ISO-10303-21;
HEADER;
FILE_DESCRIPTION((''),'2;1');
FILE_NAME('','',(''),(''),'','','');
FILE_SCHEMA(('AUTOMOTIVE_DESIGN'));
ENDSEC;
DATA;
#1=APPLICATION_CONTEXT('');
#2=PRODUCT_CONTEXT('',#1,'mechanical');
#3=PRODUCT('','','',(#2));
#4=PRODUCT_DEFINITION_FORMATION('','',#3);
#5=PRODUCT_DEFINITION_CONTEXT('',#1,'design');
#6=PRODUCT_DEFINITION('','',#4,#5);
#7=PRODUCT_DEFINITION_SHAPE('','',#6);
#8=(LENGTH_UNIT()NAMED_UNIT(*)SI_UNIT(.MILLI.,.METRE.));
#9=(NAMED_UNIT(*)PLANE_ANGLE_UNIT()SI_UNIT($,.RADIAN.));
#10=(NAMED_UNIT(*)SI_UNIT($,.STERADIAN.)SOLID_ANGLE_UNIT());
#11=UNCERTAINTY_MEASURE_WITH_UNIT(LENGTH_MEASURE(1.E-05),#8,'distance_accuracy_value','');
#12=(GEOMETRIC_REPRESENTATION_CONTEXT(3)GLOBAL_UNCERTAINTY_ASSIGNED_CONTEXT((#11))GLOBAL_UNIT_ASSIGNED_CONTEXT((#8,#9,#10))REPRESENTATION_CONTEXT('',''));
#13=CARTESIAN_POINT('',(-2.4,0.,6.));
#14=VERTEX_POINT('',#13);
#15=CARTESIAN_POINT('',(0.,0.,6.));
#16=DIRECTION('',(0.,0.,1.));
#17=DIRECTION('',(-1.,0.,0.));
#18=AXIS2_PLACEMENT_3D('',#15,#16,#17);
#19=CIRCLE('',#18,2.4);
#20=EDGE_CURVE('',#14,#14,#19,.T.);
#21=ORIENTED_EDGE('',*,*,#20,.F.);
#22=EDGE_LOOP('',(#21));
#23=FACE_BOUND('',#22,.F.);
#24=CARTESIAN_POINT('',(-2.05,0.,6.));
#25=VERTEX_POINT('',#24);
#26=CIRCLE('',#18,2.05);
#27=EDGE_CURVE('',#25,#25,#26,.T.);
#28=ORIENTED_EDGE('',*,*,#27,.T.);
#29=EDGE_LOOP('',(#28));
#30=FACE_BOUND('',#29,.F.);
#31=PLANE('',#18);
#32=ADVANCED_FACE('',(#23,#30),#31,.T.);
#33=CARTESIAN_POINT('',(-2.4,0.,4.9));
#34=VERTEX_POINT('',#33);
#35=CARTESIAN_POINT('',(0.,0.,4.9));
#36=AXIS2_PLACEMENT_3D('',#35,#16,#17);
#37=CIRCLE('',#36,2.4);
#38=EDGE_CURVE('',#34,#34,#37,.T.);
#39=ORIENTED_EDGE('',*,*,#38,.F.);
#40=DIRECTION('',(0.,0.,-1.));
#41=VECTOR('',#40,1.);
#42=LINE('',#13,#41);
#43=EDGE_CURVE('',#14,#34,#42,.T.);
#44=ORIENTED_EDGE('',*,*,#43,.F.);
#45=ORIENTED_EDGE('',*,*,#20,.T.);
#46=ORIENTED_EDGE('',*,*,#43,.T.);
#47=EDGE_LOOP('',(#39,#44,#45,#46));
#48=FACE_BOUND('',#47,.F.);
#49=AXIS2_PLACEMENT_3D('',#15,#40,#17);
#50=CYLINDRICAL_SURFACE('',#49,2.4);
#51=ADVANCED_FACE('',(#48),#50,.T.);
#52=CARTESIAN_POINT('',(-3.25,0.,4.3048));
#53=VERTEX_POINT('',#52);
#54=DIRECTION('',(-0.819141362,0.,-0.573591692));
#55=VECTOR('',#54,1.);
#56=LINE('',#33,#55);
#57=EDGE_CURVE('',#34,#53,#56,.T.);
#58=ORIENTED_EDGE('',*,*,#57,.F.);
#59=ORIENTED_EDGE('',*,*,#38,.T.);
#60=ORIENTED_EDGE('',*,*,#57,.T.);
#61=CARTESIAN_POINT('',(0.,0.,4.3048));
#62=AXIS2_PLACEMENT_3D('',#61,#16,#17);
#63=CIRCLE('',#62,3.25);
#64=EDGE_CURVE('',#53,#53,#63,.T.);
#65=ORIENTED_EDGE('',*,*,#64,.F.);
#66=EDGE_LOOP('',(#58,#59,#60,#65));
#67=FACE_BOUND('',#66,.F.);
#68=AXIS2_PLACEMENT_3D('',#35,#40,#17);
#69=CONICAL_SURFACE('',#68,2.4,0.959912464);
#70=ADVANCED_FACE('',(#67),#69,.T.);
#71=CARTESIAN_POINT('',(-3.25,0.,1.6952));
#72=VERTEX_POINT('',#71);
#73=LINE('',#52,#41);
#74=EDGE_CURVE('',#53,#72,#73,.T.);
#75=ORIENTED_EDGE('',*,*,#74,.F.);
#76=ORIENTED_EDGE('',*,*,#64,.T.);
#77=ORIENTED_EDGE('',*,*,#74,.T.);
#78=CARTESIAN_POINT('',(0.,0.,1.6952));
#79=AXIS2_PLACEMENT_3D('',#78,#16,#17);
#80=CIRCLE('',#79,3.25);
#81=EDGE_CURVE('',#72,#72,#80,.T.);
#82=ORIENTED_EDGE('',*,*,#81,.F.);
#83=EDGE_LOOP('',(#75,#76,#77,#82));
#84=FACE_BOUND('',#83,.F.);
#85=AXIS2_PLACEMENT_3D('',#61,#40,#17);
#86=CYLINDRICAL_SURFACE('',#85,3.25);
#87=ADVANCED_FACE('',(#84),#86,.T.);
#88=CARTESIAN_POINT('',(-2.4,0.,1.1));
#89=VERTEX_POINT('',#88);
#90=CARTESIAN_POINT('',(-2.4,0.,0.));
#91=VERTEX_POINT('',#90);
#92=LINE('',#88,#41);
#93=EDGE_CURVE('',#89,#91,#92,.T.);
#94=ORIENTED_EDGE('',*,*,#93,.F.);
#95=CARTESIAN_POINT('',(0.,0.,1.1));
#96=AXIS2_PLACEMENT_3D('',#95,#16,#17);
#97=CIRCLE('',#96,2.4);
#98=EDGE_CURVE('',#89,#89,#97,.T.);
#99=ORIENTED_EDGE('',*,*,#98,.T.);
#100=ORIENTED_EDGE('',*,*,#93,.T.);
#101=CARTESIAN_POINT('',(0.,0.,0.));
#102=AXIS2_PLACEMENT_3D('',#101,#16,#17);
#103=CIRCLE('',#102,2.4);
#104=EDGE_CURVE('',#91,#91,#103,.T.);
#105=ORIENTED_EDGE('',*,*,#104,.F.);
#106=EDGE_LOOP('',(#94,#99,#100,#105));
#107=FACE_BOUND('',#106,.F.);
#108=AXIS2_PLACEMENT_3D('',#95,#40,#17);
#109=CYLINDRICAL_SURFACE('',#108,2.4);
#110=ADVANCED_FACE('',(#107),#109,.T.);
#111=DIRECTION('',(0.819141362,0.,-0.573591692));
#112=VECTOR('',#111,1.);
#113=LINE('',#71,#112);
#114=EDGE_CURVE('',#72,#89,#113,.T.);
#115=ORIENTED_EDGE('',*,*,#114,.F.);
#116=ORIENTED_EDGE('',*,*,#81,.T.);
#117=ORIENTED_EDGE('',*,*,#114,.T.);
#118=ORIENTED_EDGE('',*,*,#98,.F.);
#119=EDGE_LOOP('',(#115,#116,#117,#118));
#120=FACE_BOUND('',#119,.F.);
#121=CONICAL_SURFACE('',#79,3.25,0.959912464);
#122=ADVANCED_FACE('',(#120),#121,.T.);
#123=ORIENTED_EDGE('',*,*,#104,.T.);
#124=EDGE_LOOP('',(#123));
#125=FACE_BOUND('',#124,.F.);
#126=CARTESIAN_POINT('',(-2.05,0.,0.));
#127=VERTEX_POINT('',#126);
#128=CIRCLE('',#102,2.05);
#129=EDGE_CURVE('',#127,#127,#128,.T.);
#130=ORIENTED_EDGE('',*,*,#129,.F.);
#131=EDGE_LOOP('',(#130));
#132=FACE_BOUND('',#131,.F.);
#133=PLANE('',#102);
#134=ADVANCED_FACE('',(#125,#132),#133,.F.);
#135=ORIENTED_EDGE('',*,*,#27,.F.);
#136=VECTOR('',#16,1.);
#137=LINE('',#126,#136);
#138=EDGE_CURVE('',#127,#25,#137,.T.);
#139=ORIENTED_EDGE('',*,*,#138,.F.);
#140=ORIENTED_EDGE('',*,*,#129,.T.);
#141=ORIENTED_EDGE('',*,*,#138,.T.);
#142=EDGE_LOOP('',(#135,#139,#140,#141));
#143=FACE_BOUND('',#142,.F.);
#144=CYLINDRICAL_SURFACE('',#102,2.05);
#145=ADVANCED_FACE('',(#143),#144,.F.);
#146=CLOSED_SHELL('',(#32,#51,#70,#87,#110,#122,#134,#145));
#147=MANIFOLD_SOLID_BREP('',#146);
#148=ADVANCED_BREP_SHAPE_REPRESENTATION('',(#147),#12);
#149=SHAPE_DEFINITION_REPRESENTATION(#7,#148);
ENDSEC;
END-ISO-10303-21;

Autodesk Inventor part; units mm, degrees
ref_plane "YZ Plane" through (0, 0, 0) normal (1, 0, 0) x (0, 1, 0)
ref_plane "XZ Plane" through (0, 0, 0) normal (0, 1, 0) x (-1, 0, 0)
ref_plane "XY Plane" through (0, 0, 0) normal (0, 0, 1) x (1, 0, 0)
sketch "Náčrt1" plane through (0, 0, 0) normal (0, 1, 0) x (-1, 0, 0)
  line L0 (3.9, 0) -> (-0.65, 0) projected
  line L1 (0, -1.2) -> (0, 7.2) projected
  line L2 (2.05, 0) -> (2.05, 6)
  line L3 (2.05, 6) -> (2.4, 6)
  line L4 (2.4, 6) -> (2.4, 4.9)
  line L5 (2.4, 4.9) -> (3.25, 4.3048)
  line L6 (3.25, 4.3048) -> (3.25, 1.6952)
  line L7 (3.25, 1.6952) -> (2.4, 1.1)
  line L8 (2.4, 1.1) -> (2.4, 0)
  line L9 (2.4, 0) -> (2.05, 0)
  point P0 (0, 0)
  dimension "d0" = 4.1
  dimension "d1" = 4.8
  dimension "d2" = 6
  dimension "d3" = 6.5
  dimension "d4" = 1.1
  dimension "d6" = 125
revolve "Rotace1" add sketch "Náčrt1" angle 360 about axis through (0, 0, -10) along (0, 0, 1)
